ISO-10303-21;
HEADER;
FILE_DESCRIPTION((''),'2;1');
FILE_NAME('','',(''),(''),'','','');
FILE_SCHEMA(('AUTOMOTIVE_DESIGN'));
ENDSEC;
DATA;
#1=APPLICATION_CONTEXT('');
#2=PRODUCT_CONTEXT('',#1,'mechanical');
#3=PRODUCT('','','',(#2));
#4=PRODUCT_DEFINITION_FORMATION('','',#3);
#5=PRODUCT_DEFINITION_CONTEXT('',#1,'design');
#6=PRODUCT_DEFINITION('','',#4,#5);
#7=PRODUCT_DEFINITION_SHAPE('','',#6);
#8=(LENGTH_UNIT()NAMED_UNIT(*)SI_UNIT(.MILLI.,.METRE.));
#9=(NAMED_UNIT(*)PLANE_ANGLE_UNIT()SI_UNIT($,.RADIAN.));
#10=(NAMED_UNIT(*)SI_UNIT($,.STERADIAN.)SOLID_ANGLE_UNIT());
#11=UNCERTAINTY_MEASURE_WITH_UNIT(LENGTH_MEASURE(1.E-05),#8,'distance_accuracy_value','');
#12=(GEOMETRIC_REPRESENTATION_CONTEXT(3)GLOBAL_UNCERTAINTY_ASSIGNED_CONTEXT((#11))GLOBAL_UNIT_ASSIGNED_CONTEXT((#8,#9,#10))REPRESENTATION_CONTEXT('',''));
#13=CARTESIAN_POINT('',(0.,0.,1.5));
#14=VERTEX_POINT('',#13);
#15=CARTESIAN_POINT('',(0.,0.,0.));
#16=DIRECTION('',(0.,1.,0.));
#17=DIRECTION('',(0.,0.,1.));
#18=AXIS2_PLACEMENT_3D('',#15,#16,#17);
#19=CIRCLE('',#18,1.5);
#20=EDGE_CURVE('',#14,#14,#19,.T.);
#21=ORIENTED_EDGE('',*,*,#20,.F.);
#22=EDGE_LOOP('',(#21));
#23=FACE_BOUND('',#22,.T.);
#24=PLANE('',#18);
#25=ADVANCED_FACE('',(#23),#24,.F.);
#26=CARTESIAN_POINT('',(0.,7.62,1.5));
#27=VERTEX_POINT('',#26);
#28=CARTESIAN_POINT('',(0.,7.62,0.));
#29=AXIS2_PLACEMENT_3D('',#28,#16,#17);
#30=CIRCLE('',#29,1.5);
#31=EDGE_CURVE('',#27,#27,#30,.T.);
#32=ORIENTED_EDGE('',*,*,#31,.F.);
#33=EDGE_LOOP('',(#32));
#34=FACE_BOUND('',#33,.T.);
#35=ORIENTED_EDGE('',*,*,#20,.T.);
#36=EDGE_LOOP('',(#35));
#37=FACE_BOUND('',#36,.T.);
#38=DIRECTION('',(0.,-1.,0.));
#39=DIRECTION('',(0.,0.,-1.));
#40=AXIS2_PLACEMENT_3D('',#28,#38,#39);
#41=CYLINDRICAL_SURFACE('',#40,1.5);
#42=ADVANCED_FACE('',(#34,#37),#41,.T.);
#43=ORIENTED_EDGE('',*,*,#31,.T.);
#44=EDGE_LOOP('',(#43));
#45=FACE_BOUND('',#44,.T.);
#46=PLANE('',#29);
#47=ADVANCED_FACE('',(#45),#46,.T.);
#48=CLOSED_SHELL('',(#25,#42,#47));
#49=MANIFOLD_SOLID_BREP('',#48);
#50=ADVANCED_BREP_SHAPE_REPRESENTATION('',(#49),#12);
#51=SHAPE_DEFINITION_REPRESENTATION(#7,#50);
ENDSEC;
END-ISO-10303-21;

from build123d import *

# Parameters (mm, degrees)
SKETCH1_R      = 1.5
EXTRUDE1_DEPTH = 7.62


with BuildPart() as part:
    # Sketch1 → Extrude1 (new body)
    with BuildSketch(Plane(origin=(0, 0, 0), x_dir=(1, 0, 0), z_dir=(0, 1, 0))):
        with Locations(Location((0, 0, 0), (0, 0, 270))):  # turned: the seam where the file's is
            Circle(SKETCH1_R)
    extrude(amount=EXTRUDE1_DEPTH)


solid = part.part
